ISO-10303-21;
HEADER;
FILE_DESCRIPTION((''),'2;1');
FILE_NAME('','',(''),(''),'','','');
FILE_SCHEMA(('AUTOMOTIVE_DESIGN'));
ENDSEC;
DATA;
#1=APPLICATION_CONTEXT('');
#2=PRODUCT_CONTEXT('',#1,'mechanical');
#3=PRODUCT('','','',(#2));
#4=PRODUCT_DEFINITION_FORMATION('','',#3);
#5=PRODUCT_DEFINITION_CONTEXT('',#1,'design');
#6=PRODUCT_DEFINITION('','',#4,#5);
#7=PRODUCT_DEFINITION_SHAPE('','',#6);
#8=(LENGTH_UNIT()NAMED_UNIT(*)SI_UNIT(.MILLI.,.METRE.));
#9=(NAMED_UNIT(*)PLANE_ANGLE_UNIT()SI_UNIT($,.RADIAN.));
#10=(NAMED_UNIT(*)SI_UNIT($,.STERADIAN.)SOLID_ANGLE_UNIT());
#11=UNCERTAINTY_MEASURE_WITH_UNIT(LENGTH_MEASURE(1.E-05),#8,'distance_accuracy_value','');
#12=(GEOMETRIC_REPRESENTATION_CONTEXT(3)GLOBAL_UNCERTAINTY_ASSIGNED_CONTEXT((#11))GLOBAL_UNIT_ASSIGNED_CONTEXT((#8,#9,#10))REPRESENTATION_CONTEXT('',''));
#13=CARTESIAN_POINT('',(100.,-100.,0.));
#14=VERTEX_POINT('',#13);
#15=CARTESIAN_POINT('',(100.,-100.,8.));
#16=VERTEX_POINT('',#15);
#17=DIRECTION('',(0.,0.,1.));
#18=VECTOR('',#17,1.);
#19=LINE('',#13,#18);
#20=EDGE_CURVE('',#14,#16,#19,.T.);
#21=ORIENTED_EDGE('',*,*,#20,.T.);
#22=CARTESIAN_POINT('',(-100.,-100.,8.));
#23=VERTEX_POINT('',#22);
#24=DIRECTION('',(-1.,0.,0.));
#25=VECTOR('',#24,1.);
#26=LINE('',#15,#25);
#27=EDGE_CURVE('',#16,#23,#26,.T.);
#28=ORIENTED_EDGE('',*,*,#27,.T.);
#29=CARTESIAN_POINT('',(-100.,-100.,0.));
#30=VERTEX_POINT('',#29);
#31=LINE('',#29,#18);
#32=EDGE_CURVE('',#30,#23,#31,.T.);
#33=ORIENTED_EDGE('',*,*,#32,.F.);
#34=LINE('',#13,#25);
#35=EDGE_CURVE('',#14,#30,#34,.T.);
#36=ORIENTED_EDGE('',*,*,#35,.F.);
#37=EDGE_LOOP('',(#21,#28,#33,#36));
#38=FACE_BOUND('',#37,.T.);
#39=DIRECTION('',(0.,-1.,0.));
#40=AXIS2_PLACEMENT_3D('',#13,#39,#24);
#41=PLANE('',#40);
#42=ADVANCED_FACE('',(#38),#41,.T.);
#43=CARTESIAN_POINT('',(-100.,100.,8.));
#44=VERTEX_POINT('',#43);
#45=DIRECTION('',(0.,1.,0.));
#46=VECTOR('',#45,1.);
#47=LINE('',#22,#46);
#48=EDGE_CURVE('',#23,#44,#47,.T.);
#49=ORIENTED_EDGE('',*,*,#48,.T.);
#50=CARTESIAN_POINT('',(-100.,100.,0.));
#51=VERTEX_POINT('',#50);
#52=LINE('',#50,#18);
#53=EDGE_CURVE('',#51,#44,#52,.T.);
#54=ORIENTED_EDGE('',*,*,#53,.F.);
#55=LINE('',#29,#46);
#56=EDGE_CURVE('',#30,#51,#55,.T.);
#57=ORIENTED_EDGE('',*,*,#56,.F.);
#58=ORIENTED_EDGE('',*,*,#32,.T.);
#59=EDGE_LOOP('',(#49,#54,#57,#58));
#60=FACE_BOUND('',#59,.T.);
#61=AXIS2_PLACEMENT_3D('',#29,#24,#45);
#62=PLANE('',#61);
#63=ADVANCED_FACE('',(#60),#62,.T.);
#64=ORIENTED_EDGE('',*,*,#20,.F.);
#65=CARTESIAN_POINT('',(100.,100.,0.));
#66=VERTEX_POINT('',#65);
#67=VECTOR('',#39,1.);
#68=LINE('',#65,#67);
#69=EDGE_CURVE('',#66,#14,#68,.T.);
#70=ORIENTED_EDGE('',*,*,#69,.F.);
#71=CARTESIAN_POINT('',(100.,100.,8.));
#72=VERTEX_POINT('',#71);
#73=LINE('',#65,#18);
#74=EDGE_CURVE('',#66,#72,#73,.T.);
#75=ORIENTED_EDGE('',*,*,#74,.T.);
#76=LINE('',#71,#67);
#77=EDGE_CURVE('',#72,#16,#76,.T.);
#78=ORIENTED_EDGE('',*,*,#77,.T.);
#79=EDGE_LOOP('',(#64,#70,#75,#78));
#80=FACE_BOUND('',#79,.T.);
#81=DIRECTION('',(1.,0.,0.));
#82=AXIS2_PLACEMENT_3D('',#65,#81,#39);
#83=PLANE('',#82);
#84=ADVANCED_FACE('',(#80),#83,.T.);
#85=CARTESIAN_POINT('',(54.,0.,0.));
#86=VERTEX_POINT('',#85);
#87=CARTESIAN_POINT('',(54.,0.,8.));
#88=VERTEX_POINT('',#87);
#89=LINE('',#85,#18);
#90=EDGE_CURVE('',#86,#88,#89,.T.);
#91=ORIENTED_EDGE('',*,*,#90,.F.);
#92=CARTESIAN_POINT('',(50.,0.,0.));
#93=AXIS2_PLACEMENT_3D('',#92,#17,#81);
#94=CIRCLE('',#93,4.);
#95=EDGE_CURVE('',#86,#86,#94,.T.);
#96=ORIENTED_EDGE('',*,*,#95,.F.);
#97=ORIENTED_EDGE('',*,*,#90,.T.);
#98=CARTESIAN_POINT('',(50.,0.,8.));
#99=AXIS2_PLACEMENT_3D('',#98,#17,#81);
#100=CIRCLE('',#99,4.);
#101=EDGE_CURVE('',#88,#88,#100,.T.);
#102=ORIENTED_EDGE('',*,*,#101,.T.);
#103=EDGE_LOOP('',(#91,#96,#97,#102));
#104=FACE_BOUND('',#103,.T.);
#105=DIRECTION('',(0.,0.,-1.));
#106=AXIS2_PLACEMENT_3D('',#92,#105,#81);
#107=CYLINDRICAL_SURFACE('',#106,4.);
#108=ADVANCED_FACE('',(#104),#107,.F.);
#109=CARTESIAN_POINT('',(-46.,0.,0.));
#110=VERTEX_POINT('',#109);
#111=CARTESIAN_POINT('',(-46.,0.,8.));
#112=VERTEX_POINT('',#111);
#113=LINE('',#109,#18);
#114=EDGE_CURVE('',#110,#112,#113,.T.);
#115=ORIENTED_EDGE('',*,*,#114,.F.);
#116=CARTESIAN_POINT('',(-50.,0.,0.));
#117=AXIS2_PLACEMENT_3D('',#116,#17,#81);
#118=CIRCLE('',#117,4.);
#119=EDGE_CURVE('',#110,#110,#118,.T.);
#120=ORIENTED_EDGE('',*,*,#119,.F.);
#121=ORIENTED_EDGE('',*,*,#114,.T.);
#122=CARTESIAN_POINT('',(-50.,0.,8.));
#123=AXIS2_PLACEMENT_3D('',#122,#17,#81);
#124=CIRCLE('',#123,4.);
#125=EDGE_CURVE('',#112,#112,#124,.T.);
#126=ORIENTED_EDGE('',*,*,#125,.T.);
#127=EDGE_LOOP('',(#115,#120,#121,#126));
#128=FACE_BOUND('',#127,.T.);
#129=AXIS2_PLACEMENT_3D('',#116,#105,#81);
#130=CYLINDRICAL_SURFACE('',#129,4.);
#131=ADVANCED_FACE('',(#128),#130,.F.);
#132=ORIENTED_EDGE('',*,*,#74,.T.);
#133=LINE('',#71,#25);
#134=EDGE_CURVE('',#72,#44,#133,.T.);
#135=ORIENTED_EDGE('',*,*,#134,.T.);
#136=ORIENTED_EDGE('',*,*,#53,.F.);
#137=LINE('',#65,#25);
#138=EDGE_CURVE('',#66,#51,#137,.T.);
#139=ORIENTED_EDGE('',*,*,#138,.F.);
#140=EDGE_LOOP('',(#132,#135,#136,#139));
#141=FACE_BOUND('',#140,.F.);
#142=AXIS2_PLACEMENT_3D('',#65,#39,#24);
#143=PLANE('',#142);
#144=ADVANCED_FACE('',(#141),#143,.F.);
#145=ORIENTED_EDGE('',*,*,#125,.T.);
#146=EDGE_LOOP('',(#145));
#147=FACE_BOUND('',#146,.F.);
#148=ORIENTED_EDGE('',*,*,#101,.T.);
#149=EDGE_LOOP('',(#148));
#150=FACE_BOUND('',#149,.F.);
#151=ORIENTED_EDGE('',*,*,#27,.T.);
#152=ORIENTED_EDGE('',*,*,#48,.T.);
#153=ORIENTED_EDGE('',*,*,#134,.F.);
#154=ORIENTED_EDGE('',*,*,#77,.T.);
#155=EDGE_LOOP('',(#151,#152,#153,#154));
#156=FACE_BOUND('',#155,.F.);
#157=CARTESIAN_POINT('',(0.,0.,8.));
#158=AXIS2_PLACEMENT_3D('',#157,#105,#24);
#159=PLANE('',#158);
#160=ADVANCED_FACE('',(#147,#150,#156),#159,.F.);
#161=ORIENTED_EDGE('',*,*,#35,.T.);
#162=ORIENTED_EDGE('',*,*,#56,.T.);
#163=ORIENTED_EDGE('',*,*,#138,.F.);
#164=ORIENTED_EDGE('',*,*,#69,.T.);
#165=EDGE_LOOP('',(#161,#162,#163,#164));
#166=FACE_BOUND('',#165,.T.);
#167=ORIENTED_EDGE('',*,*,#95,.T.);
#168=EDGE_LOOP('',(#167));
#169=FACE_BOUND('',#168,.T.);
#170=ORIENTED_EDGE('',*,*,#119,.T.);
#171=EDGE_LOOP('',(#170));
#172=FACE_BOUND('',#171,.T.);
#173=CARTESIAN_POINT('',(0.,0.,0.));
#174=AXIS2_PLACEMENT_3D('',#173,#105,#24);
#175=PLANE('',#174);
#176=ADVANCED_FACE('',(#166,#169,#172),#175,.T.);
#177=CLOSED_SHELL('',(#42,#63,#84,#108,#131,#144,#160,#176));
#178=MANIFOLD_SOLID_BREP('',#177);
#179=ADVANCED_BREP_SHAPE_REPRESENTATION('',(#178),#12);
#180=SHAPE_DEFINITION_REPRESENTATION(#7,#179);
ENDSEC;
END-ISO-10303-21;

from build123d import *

# Parameters (mm, degrees)
SKETCH_R  = 4
PAD_DEPTH = 8


with BuildPart() as part:
    # Sketch → Pad (new body)
    with BuildSketch(Plane.XY):
        Polygon((0, 100), (100, 100), (100, -100), (-100, -100), (-100, 100), align=None)
        with Locations((-50, 0)):
            Circle(SKETCH_R, mode=Mode.SUBTRACT)
        with Locations((50, 0)):
            Circle(SKETCH_R, mode=Mode.SUBTRACT)
    extrude(amount=PAD_DEPTH)


solid = part.part
